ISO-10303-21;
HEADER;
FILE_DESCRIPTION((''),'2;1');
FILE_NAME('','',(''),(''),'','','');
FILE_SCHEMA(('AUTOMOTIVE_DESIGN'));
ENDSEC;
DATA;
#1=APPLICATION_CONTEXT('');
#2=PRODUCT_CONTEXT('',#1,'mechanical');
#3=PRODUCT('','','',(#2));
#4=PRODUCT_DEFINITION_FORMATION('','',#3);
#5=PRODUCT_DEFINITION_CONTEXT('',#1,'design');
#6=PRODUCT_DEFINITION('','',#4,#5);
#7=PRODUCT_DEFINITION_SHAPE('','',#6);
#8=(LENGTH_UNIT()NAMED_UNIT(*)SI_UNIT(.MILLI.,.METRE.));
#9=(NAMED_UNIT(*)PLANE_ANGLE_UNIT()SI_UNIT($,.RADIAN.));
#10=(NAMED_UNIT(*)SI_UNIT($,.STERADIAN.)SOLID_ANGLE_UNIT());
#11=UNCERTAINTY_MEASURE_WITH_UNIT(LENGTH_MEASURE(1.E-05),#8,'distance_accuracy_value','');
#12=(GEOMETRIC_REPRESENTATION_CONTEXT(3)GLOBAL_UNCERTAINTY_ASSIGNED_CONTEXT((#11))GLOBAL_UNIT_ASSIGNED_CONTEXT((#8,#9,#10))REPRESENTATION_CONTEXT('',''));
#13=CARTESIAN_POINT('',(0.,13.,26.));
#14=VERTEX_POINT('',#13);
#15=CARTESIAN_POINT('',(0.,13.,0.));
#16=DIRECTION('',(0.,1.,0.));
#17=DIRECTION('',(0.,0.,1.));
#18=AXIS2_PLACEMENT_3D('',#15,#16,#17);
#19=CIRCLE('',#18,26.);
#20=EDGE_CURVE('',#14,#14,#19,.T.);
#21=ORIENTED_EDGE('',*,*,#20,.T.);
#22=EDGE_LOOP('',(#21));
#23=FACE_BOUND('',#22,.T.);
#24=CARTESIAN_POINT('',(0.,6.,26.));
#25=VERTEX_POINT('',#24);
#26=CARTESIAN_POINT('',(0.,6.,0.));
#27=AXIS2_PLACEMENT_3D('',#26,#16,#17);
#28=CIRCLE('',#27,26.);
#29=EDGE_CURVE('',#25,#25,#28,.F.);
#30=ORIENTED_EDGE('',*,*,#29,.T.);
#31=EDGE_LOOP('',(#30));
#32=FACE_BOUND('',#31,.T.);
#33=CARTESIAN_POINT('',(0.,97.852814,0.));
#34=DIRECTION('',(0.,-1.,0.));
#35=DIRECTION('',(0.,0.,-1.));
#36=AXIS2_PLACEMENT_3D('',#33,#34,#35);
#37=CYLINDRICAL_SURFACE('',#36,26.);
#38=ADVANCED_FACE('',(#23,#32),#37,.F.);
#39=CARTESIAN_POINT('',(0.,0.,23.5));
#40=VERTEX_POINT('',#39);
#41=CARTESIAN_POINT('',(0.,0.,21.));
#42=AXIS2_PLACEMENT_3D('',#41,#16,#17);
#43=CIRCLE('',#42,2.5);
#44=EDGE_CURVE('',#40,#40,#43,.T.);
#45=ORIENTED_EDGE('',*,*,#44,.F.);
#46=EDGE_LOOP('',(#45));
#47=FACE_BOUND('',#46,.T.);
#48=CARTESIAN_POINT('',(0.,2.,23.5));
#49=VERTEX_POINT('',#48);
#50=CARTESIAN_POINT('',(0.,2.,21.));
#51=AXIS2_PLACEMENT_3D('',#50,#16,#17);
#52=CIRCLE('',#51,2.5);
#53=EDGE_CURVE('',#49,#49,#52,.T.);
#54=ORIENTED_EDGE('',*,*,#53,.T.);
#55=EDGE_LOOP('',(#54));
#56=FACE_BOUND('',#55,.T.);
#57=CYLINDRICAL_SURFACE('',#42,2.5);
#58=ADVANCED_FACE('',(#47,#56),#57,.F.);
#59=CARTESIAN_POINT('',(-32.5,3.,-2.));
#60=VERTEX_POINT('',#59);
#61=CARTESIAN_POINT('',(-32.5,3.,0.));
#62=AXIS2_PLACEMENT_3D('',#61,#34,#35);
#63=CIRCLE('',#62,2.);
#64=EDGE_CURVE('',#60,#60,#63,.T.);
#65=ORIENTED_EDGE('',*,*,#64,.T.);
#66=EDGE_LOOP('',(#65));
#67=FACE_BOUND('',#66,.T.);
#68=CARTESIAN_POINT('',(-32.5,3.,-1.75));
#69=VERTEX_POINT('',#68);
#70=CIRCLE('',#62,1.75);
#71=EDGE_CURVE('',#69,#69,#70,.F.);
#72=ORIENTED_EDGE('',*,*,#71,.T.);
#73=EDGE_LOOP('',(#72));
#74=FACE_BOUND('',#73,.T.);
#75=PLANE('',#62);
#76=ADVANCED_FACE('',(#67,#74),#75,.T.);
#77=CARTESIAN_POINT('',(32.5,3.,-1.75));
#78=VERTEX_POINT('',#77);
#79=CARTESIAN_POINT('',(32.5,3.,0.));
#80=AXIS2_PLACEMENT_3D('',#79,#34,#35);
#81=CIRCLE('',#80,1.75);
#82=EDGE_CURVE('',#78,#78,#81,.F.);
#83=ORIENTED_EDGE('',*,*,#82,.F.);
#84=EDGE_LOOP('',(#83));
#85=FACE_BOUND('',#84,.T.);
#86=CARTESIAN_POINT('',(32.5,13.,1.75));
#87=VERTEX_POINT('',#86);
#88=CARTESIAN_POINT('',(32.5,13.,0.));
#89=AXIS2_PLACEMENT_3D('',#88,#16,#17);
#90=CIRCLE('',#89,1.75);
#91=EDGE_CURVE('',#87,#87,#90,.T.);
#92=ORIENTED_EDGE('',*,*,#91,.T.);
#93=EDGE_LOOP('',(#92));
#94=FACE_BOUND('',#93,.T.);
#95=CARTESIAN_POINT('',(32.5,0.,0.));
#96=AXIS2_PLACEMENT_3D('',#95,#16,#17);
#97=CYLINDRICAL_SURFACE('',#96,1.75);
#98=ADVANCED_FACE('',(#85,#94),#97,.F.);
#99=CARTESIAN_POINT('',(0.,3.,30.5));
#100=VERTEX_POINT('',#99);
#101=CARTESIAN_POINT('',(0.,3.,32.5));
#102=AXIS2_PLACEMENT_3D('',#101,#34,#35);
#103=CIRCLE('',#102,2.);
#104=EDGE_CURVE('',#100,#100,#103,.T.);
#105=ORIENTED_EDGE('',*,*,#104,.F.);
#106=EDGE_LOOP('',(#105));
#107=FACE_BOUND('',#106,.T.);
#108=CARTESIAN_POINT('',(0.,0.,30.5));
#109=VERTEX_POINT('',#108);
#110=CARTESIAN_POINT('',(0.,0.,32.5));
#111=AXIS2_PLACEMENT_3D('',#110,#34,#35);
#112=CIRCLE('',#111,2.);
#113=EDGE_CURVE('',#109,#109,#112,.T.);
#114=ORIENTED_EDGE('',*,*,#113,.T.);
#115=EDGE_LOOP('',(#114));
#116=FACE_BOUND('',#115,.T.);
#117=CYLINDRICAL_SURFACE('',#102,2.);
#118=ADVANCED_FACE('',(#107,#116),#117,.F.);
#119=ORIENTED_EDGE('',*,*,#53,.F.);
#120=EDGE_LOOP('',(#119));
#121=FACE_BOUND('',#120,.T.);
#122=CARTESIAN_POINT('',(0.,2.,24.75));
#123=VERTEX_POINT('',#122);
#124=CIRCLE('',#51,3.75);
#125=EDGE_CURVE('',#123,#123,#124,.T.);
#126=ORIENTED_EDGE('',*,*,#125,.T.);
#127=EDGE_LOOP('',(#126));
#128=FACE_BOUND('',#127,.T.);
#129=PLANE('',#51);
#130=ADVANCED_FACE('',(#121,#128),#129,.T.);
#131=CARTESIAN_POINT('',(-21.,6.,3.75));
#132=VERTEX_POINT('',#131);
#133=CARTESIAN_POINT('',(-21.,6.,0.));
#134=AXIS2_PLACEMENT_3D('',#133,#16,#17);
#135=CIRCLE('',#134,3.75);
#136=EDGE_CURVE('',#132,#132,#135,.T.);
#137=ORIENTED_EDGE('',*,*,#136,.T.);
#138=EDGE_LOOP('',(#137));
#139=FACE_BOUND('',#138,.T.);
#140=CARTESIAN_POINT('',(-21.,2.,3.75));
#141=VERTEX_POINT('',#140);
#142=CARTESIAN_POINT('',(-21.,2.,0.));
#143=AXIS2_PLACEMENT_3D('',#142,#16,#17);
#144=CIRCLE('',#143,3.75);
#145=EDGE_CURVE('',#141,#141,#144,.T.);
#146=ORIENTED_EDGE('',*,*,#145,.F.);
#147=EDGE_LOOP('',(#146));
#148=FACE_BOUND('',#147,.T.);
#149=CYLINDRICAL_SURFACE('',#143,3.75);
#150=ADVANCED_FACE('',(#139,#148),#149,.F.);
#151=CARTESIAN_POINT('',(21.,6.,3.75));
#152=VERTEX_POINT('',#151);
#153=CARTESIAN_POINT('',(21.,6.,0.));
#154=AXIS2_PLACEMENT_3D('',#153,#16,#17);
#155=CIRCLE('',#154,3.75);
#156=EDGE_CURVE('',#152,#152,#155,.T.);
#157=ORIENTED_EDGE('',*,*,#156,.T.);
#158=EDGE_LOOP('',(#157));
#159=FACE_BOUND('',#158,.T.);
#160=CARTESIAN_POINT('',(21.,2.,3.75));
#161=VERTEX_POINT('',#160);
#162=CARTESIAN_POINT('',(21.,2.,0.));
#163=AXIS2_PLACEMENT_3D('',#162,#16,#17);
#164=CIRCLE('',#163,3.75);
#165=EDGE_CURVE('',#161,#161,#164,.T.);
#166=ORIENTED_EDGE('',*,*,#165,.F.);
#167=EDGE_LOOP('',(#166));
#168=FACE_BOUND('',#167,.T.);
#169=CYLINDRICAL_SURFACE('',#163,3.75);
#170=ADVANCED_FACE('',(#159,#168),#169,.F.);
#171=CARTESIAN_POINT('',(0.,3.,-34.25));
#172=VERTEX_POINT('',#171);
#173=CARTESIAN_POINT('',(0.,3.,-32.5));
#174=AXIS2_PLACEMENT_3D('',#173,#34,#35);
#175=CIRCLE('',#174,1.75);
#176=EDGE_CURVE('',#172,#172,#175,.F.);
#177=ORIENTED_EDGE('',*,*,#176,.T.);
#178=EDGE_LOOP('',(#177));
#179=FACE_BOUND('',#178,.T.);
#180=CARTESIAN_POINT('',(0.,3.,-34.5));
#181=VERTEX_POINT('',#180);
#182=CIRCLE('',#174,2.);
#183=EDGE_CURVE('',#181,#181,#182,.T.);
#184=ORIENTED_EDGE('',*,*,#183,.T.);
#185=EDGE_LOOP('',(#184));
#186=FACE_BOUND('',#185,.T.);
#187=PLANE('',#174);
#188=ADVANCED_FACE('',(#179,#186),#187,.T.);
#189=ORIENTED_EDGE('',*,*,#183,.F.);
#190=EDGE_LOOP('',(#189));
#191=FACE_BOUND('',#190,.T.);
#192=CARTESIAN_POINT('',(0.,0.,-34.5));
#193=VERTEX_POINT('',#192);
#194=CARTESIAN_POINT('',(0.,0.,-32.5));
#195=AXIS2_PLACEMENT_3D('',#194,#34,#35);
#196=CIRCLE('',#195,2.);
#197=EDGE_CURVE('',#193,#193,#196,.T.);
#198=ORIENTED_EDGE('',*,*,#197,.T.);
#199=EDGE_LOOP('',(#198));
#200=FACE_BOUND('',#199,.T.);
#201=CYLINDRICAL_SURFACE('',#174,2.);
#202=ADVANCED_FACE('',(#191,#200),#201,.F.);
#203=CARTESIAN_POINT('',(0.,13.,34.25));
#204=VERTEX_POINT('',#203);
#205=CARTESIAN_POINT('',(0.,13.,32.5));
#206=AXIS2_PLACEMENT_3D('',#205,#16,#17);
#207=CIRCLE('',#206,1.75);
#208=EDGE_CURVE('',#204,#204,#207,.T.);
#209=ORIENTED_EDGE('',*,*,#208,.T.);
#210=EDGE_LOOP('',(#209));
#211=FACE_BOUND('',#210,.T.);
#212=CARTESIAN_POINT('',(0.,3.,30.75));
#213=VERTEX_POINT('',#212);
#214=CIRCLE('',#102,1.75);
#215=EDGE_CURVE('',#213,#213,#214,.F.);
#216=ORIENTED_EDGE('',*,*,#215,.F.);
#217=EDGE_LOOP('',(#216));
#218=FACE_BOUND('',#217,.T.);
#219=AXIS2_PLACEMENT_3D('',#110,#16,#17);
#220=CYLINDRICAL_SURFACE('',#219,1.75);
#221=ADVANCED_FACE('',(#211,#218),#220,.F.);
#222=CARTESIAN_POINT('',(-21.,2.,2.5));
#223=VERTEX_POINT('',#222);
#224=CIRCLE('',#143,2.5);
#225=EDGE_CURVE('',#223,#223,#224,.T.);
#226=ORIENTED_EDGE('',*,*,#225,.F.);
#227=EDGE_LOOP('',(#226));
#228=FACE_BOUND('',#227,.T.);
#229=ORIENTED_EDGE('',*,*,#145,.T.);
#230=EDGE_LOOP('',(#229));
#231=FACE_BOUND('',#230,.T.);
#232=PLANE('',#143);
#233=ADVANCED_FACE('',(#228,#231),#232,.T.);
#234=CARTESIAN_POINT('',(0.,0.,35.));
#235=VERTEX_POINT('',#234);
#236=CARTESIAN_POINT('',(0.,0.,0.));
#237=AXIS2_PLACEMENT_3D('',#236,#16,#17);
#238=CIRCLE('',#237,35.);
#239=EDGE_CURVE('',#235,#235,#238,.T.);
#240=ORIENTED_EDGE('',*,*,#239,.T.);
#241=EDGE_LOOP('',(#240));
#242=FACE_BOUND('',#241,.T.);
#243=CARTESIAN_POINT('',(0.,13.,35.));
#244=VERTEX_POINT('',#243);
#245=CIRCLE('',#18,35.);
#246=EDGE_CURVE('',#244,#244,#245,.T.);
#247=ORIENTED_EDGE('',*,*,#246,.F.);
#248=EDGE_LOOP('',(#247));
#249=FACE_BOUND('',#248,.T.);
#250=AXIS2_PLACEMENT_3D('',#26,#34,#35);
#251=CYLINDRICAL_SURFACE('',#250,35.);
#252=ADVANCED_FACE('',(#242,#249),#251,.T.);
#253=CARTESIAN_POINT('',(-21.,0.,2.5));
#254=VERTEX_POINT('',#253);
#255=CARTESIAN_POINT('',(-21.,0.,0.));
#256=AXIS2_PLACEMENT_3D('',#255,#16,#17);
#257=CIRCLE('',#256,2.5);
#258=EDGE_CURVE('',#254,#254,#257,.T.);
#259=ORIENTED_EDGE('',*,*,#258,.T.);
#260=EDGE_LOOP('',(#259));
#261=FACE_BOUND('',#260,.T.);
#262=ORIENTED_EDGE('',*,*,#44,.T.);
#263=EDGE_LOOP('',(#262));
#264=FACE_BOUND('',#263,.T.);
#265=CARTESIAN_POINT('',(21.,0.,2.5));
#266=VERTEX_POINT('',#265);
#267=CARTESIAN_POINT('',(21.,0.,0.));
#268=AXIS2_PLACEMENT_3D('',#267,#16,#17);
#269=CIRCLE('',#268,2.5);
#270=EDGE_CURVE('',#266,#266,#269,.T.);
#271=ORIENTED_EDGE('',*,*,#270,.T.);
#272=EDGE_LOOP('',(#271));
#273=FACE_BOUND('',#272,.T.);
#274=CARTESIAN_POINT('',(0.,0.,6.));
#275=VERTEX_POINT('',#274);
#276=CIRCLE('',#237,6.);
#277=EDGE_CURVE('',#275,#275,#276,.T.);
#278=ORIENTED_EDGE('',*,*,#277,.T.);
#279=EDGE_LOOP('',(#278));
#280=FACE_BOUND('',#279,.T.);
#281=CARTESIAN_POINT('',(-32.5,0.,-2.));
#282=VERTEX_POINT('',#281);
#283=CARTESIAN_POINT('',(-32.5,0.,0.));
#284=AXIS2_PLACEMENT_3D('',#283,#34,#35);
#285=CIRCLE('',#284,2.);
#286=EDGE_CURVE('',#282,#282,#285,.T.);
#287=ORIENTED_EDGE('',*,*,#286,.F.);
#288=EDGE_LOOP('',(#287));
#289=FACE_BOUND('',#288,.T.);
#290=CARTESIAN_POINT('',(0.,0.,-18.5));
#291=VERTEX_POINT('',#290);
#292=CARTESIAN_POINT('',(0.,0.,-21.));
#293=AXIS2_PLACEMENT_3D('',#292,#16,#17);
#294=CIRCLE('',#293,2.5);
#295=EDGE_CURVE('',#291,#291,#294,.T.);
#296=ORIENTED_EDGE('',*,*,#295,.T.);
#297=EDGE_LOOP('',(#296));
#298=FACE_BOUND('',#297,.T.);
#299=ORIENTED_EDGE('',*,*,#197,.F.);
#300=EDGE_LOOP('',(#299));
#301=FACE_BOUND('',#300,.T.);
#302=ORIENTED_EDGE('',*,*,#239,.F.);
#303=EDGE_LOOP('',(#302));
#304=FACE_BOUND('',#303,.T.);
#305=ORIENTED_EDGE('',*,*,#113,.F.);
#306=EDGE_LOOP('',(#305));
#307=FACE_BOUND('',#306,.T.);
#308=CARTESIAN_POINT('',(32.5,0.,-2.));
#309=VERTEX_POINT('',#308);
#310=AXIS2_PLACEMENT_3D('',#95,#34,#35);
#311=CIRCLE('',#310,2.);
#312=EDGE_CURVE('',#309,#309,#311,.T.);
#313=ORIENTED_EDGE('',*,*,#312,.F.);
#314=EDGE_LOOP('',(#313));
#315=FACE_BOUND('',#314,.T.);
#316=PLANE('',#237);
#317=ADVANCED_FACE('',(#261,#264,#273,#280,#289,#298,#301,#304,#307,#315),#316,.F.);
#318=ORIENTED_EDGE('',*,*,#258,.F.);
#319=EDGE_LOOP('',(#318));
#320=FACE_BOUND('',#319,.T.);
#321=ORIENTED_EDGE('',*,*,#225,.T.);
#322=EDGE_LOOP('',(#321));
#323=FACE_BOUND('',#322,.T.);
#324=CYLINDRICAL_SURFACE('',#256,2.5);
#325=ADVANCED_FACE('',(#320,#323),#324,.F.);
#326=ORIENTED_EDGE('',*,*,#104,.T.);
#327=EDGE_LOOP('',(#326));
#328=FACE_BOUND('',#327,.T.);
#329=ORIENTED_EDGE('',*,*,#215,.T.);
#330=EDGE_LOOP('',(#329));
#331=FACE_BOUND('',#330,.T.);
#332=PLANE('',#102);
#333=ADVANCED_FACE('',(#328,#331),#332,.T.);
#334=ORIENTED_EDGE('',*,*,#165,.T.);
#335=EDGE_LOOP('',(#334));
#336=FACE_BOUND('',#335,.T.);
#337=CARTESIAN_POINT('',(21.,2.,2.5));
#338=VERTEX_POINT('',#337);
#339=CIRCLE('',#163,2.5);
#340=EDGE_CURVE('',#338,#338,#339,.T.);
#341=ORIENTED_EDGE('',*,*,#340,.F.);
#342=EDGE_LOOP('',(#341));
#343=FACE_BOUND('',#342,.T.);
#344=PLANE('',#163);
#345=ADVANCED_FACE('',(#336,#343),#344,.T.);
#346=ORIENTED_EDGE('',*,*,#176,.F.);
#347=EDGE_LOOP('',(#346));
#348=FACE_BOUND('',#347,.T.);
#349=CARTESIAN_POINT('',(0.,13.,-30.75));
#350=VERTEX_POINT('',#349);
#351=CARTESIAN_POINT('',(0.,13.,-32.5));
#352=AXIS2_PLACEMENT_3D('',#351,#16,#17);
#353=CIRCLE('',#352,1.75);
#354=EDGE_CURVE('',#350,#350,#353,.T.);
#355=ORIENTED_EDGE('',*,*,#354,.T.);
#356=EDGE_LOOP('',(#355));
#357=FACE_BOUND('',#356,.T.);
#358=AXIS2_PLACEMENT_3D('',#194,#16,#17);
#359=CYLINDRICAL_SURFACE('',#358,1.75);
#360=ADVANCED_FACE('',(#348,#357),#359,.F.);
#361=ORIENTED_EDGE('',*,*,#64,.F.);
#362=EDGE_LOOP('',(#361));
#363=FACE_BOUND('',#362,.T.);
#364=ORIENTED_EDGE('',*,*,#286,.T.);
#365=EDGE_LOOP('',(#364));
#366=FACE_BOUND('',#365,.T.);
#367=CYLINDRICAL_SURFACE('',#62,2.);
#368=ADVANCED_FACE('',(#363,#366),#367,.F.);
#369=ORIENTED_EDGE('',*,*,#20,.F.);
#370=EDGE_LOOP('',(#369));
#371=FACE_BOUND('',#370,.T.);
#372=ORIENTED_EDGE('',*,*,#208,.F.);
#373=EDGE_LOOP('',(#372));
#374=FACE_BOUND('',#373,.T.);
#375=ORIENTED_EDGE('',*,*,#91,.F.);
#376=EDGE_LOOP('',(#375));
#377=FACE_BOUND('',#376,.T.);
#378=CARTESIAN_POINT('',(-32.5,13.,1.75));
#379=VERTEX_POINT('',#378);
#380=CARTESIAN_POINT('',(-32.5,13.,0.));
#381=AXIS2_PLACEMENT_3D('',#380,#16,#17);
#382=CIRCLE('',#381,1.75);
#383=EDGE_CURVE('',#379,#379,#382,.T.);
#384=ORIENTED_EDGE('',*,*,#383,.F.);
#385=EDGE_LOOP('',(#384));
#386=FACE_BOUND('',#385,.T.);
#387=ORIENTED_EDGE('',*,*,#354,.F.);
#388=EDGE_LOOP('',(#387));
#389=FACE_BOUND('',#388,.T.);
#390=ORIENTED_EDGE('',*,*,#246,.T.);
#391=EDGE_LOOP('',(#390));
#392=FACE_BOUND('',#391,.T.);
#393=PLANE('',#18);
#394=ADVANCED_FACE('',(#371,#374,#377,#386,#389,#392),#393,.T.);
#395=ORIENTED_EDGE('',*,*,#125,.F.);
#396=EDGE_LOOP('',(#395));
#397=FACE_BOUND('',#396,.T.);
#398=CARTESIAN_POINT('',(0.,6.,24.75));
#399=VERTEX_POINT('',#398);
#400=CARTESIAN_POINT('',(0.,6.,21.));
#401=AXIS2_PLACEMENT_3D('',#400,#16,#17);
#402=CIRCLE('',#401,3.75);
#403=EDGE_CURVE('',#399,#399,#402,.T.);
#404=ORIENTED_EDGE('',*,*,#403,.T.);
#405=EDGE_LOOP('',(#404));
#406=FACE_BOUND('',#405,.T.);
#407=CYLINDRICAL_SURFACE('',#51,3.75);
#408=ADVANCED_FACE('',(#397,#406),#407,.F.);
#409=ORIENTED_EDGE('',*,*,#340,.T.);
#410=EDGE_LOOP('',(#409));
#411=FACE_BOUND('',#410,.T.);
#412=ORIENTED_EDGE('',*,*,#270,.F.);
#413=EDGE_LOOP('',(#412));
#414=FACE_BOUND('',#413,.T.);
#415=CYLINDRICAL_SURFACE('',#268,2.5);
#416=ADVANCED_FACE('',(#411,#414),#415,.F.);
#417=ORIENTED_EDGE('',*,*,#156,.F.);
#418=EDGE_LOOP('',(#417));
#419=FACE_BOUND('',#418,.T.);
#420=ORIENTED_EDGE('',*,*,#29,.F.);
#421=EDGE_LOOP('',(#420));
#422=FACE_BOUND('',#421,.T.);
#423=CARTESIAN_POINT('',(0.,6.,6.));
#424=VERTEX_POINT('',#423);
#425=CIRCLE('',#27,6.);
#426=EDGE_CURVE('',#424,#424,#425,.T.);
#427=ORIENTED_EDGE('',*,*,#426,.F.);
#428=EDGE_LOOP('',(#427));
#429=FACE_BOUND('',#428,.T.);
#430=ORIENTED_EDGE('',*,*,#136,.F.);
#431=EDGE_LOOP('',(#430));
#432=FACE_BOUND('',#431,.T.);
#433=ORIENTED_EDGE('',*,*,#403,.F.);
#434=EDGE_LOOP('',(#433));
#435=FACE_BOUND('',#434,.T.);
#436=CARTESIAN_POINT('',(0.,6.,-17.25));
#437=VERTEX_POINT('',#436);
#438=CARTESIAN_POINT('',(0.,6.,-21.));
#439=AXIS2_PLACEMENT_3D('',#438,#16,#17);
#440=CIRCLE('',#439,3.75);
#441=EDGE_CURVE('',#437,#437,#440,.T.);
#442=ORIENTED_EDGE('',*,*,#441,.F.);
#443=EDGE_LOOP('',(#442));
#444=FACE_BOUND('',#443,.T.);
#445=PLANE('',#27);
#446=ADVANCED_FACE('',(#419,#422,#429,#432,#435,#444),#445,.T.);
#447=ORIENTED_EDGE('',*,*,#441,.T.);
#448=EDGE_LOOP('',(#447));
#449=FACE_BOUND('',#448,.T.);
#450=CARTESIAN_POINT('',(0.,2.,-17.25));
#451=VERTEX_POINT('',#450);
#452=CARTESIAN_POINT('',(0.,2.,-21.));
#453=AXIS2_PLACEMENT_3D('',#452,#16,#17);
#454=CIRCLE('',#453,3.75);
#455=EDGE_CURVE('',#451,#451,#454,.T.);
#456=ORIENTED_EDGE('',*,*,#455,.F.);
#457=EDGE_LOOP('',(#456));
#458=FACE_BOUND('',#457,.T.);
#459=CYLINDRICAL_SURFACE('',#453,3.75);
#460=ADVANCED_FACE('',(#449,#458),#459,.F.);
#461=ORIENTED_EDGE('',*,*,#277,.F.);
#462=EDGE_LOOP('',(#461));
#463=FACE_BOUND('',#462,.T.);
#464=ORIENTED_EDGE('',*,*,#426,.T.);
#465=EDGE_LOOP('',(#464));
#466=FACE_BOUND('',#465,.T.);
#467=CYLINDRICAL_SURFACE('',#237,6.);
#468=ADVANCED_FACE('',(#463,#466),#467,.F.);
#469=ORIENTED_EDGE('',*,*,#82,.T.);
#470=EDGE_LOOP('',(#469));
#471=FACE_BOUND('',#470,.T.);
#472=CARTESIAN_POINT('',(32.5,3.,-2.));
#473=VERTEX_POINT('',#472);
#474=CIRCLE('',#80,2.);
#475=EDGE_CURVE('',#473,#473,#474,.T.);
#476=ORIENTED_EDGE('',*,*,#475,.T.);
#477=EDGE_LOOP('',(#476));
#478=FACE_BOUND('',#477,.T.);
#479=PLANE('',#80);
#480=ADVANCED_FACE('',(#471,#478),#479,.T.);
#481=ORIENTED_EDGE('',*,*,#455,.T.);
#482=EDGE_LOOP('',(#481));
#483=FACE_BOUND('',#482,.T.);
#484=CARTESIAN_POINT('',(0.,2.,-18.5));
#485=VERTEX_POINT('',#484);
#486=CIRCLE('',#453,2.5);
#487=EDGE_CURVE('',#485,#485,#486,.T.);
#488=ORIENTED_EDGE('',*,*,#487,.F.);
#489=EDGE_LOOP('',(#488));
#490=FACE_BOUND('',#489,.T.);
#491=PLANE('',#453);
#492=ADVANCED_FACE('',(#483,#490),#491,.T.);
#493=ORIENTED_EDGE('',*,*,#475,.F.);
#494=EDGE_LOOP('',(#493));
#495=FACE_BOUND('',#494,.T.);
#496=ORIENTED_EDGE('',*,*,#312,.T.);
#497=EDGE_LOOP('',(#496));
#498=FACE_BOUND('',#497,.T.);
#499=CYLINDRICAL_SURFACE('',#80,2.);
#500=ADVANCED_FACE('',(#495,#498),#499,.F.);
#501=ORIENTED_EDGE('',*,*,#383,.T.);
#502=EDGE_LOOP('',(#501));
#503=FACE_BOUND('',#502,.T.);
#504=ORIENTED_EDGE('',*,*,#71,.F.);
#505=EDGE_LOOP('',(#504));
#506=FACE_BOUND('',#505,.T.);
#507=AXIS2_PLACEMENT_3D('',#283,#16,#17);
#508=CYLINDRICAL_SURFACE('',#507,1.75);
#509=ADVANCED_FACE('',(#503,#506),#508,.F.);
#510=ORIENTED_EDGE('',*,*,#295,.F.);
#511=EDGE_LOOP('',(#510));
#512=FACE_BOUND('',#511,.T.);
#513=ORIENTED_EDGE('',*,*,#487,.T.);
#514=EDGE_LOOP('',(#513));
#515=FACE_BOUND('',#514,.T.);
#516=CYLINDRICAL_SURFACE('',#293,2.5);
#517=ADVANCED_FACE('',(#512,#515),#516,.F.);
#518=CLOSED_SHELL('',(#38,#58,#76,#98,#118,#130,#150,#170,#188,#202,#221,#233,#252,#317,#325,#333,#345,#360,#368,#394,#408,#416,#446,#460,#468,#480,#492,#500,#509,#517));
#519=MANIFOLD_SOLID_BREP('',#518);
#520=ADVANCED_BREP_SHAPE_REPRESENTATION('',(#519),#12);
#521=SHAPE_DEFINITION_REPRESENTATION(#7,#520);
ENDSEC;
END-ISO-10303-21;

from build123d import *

# Parameters (mm, degrees)
SKETCH1_R           = 35
BOSS_EXTRUDE1_DEPTH = 6
SKETCH2_R           = 3.75
CUT_EXTRUDE1_DEPTH  = 4
SKETCH3_R           = 6
SKETCH3_R_2         = 2.5
CUT_EXTRUDE2_DEPTH  = 50.859803449
SKETCH4_R           = 35
SKETCH4_R_2         = 30
BOSS_EXTRUDE2_DEPTH = 7
SKETCH5_R           = 30
SKETCH5_R_2         = 26
BOSS_EXTRUDE3_DEPTH = 7
SKETCH6_R           = 1.75
CUT_EXTRUDE3_DEPTH  = 52.176166328
SKETCH7_R           = 2
CUT_EXTRUDE4_DEPTH  = 3


with BuildPart() as part:
    # Sketch1 → Boss-Extrude1 (new body)
    with BuildSketch(Plane(origin=(0, 0, 0), x_dir=(1, 0, 0), z_dir=(0, 1, 0))):
        with Locations(Location((0, 0, 0), (0, 0, 270))):
            Circle(SKETCH1_R)
    extrude(amount=BOSS_EXTRUDE1_DEPTH)

    # Sketch2 → Cut-Extrude1 (cut)
    with BuildSketch(Plane(origin=(0, 6, 0), x_dir=(1, 0, 0), z_dir=(0, 1, 0))):
        with Locations(Location((0, 21, 0), (0, 0, 270))):
            Circle(SKETCH2_R)
        with Locations(Location((21, 0, 0), (0, 0, 270))):
            Circle(SKETCH2_R)
        with Locations(Location((0, -21, 0), (0, 0, 270))):
            Circle(SKETCH2_R)
        with Locations(Location((-21, 0, 0), (0, 0, 270))):
            Circle(SKETCH2_R)
    extrude(amount=-CUT_EXTRUDE1_DEPTH, mode=Mode.SUBTRACT)

    # Sketch3 → Cut-Extrude2 (cut, through all)
    with BuildSketch(Plane(origin=(0, 6, 0), x_dir=(1, 0, 0), z_dir=(0, 1, 0))):
        with Locations(Location((0, 0, 0), (0, 0, 270))):
            Circle(SKETCH3_R)
        with Locations(Location((0, 21, 0), (0, 0, 270))):
            Circle(SKETCH3_R_2)
        with Locations(Location((21, 0, 0), (0, 0, 270))):
            Circle(SKETCH3_R_2)
        with Locations(Location((0, -21, 0), (0, 0, 270))):
            Circle(SKETCH3_R_2)
        with Locations(Location((-21, 0, 0), (0, 0, 270))):
            Circle(SKETCH3_R_2)
    extrude(amount=-CUT_EXTRUDE2_DEPTH, mode=Mode.SUBTRACT)

    # Sketch4 → Boss-Extrude2 (add)
    with BuildSketch(Plane(origin=(0, 6, 0), x_dir=(1, 0, 0), z_dir=(0, 1, 0))):
        with Locations(Location((0, 0, 0), (0, 0, 270))):
            Circle(SKETCH4_R)
        with Locations(Location((0, 0, 0), (0, 0, 270))):
            Circle(SKETCH4_R_2, mode=Mode.SUBTRACT)
    extrude(amount=BOSS_EXTRUDE2_DEPTH)

    # Sketch5 → Boss-Extrude3 (add)
    with BuildSketch(Plane(origin=(0, 6, 0), x_dir=(1, 0, 0), z_dir=(0, 1, 0))):
        Circle(SKETCH5_R)
        with Locations(Location((0, 0, 0), (0, 0, 270))):
            Circle(SKETCH5_R_2, mode=Mode.SUBTRACT)
    extrude(amount=BOSS_EXTRUDE3_DEPTH)

    # Sketch6 → Cut-Extrude3 (cut, through all)
    with BuildSketch(Plane(origin=(0, 13, 0), x_dir=(1, 0, 0), z_dir=(0, 1, 0))):
        with Locations(Location((0, 32.5, 0), (0, 0, 270))):
            Circle(SKETCH6_R)
        with Locations(Location((32.5, 0, 0), (0, 0, 270))):
            Circle(SKETCH6_R)
        with Locations(Location((0, -32.5, 0), (0, 0, 270))):
            Circle(SKETCH6_R)
        with Locations(Location((-32.5, 0, 0), (0, 0, 270))):
            Circle(SKETCH6_R)
    extrude(amount=-CUT_EXTRUDE3_DEPTH, mode=Mode.SUBTRACT)

    # Sketch7 → Cut-Extrude4 (cut)
    with BuildSketch(Plane.XZ):
        with Locations(Location((0, 32.5, 0), (0, 0, 270))):
            Circle(SKETCH7_R)
        with Locations(Location((32.5, 0, 0), (0, 0, 270))):
            Circle(SKETCH7_R)
        with Locations(Location((0, -32.5, 0), (0, 0, 270))):
            Circle(SKETCH7_R)
        with Locations(Location((-32.5, 0, 0), (0, 0, 270))):
            Circle(SKETCH7_R)
    extrude(amount=-CUT_EXTRUDE4_DEPTH, mode=Mode.SUBTRACT)


solid = part.part
